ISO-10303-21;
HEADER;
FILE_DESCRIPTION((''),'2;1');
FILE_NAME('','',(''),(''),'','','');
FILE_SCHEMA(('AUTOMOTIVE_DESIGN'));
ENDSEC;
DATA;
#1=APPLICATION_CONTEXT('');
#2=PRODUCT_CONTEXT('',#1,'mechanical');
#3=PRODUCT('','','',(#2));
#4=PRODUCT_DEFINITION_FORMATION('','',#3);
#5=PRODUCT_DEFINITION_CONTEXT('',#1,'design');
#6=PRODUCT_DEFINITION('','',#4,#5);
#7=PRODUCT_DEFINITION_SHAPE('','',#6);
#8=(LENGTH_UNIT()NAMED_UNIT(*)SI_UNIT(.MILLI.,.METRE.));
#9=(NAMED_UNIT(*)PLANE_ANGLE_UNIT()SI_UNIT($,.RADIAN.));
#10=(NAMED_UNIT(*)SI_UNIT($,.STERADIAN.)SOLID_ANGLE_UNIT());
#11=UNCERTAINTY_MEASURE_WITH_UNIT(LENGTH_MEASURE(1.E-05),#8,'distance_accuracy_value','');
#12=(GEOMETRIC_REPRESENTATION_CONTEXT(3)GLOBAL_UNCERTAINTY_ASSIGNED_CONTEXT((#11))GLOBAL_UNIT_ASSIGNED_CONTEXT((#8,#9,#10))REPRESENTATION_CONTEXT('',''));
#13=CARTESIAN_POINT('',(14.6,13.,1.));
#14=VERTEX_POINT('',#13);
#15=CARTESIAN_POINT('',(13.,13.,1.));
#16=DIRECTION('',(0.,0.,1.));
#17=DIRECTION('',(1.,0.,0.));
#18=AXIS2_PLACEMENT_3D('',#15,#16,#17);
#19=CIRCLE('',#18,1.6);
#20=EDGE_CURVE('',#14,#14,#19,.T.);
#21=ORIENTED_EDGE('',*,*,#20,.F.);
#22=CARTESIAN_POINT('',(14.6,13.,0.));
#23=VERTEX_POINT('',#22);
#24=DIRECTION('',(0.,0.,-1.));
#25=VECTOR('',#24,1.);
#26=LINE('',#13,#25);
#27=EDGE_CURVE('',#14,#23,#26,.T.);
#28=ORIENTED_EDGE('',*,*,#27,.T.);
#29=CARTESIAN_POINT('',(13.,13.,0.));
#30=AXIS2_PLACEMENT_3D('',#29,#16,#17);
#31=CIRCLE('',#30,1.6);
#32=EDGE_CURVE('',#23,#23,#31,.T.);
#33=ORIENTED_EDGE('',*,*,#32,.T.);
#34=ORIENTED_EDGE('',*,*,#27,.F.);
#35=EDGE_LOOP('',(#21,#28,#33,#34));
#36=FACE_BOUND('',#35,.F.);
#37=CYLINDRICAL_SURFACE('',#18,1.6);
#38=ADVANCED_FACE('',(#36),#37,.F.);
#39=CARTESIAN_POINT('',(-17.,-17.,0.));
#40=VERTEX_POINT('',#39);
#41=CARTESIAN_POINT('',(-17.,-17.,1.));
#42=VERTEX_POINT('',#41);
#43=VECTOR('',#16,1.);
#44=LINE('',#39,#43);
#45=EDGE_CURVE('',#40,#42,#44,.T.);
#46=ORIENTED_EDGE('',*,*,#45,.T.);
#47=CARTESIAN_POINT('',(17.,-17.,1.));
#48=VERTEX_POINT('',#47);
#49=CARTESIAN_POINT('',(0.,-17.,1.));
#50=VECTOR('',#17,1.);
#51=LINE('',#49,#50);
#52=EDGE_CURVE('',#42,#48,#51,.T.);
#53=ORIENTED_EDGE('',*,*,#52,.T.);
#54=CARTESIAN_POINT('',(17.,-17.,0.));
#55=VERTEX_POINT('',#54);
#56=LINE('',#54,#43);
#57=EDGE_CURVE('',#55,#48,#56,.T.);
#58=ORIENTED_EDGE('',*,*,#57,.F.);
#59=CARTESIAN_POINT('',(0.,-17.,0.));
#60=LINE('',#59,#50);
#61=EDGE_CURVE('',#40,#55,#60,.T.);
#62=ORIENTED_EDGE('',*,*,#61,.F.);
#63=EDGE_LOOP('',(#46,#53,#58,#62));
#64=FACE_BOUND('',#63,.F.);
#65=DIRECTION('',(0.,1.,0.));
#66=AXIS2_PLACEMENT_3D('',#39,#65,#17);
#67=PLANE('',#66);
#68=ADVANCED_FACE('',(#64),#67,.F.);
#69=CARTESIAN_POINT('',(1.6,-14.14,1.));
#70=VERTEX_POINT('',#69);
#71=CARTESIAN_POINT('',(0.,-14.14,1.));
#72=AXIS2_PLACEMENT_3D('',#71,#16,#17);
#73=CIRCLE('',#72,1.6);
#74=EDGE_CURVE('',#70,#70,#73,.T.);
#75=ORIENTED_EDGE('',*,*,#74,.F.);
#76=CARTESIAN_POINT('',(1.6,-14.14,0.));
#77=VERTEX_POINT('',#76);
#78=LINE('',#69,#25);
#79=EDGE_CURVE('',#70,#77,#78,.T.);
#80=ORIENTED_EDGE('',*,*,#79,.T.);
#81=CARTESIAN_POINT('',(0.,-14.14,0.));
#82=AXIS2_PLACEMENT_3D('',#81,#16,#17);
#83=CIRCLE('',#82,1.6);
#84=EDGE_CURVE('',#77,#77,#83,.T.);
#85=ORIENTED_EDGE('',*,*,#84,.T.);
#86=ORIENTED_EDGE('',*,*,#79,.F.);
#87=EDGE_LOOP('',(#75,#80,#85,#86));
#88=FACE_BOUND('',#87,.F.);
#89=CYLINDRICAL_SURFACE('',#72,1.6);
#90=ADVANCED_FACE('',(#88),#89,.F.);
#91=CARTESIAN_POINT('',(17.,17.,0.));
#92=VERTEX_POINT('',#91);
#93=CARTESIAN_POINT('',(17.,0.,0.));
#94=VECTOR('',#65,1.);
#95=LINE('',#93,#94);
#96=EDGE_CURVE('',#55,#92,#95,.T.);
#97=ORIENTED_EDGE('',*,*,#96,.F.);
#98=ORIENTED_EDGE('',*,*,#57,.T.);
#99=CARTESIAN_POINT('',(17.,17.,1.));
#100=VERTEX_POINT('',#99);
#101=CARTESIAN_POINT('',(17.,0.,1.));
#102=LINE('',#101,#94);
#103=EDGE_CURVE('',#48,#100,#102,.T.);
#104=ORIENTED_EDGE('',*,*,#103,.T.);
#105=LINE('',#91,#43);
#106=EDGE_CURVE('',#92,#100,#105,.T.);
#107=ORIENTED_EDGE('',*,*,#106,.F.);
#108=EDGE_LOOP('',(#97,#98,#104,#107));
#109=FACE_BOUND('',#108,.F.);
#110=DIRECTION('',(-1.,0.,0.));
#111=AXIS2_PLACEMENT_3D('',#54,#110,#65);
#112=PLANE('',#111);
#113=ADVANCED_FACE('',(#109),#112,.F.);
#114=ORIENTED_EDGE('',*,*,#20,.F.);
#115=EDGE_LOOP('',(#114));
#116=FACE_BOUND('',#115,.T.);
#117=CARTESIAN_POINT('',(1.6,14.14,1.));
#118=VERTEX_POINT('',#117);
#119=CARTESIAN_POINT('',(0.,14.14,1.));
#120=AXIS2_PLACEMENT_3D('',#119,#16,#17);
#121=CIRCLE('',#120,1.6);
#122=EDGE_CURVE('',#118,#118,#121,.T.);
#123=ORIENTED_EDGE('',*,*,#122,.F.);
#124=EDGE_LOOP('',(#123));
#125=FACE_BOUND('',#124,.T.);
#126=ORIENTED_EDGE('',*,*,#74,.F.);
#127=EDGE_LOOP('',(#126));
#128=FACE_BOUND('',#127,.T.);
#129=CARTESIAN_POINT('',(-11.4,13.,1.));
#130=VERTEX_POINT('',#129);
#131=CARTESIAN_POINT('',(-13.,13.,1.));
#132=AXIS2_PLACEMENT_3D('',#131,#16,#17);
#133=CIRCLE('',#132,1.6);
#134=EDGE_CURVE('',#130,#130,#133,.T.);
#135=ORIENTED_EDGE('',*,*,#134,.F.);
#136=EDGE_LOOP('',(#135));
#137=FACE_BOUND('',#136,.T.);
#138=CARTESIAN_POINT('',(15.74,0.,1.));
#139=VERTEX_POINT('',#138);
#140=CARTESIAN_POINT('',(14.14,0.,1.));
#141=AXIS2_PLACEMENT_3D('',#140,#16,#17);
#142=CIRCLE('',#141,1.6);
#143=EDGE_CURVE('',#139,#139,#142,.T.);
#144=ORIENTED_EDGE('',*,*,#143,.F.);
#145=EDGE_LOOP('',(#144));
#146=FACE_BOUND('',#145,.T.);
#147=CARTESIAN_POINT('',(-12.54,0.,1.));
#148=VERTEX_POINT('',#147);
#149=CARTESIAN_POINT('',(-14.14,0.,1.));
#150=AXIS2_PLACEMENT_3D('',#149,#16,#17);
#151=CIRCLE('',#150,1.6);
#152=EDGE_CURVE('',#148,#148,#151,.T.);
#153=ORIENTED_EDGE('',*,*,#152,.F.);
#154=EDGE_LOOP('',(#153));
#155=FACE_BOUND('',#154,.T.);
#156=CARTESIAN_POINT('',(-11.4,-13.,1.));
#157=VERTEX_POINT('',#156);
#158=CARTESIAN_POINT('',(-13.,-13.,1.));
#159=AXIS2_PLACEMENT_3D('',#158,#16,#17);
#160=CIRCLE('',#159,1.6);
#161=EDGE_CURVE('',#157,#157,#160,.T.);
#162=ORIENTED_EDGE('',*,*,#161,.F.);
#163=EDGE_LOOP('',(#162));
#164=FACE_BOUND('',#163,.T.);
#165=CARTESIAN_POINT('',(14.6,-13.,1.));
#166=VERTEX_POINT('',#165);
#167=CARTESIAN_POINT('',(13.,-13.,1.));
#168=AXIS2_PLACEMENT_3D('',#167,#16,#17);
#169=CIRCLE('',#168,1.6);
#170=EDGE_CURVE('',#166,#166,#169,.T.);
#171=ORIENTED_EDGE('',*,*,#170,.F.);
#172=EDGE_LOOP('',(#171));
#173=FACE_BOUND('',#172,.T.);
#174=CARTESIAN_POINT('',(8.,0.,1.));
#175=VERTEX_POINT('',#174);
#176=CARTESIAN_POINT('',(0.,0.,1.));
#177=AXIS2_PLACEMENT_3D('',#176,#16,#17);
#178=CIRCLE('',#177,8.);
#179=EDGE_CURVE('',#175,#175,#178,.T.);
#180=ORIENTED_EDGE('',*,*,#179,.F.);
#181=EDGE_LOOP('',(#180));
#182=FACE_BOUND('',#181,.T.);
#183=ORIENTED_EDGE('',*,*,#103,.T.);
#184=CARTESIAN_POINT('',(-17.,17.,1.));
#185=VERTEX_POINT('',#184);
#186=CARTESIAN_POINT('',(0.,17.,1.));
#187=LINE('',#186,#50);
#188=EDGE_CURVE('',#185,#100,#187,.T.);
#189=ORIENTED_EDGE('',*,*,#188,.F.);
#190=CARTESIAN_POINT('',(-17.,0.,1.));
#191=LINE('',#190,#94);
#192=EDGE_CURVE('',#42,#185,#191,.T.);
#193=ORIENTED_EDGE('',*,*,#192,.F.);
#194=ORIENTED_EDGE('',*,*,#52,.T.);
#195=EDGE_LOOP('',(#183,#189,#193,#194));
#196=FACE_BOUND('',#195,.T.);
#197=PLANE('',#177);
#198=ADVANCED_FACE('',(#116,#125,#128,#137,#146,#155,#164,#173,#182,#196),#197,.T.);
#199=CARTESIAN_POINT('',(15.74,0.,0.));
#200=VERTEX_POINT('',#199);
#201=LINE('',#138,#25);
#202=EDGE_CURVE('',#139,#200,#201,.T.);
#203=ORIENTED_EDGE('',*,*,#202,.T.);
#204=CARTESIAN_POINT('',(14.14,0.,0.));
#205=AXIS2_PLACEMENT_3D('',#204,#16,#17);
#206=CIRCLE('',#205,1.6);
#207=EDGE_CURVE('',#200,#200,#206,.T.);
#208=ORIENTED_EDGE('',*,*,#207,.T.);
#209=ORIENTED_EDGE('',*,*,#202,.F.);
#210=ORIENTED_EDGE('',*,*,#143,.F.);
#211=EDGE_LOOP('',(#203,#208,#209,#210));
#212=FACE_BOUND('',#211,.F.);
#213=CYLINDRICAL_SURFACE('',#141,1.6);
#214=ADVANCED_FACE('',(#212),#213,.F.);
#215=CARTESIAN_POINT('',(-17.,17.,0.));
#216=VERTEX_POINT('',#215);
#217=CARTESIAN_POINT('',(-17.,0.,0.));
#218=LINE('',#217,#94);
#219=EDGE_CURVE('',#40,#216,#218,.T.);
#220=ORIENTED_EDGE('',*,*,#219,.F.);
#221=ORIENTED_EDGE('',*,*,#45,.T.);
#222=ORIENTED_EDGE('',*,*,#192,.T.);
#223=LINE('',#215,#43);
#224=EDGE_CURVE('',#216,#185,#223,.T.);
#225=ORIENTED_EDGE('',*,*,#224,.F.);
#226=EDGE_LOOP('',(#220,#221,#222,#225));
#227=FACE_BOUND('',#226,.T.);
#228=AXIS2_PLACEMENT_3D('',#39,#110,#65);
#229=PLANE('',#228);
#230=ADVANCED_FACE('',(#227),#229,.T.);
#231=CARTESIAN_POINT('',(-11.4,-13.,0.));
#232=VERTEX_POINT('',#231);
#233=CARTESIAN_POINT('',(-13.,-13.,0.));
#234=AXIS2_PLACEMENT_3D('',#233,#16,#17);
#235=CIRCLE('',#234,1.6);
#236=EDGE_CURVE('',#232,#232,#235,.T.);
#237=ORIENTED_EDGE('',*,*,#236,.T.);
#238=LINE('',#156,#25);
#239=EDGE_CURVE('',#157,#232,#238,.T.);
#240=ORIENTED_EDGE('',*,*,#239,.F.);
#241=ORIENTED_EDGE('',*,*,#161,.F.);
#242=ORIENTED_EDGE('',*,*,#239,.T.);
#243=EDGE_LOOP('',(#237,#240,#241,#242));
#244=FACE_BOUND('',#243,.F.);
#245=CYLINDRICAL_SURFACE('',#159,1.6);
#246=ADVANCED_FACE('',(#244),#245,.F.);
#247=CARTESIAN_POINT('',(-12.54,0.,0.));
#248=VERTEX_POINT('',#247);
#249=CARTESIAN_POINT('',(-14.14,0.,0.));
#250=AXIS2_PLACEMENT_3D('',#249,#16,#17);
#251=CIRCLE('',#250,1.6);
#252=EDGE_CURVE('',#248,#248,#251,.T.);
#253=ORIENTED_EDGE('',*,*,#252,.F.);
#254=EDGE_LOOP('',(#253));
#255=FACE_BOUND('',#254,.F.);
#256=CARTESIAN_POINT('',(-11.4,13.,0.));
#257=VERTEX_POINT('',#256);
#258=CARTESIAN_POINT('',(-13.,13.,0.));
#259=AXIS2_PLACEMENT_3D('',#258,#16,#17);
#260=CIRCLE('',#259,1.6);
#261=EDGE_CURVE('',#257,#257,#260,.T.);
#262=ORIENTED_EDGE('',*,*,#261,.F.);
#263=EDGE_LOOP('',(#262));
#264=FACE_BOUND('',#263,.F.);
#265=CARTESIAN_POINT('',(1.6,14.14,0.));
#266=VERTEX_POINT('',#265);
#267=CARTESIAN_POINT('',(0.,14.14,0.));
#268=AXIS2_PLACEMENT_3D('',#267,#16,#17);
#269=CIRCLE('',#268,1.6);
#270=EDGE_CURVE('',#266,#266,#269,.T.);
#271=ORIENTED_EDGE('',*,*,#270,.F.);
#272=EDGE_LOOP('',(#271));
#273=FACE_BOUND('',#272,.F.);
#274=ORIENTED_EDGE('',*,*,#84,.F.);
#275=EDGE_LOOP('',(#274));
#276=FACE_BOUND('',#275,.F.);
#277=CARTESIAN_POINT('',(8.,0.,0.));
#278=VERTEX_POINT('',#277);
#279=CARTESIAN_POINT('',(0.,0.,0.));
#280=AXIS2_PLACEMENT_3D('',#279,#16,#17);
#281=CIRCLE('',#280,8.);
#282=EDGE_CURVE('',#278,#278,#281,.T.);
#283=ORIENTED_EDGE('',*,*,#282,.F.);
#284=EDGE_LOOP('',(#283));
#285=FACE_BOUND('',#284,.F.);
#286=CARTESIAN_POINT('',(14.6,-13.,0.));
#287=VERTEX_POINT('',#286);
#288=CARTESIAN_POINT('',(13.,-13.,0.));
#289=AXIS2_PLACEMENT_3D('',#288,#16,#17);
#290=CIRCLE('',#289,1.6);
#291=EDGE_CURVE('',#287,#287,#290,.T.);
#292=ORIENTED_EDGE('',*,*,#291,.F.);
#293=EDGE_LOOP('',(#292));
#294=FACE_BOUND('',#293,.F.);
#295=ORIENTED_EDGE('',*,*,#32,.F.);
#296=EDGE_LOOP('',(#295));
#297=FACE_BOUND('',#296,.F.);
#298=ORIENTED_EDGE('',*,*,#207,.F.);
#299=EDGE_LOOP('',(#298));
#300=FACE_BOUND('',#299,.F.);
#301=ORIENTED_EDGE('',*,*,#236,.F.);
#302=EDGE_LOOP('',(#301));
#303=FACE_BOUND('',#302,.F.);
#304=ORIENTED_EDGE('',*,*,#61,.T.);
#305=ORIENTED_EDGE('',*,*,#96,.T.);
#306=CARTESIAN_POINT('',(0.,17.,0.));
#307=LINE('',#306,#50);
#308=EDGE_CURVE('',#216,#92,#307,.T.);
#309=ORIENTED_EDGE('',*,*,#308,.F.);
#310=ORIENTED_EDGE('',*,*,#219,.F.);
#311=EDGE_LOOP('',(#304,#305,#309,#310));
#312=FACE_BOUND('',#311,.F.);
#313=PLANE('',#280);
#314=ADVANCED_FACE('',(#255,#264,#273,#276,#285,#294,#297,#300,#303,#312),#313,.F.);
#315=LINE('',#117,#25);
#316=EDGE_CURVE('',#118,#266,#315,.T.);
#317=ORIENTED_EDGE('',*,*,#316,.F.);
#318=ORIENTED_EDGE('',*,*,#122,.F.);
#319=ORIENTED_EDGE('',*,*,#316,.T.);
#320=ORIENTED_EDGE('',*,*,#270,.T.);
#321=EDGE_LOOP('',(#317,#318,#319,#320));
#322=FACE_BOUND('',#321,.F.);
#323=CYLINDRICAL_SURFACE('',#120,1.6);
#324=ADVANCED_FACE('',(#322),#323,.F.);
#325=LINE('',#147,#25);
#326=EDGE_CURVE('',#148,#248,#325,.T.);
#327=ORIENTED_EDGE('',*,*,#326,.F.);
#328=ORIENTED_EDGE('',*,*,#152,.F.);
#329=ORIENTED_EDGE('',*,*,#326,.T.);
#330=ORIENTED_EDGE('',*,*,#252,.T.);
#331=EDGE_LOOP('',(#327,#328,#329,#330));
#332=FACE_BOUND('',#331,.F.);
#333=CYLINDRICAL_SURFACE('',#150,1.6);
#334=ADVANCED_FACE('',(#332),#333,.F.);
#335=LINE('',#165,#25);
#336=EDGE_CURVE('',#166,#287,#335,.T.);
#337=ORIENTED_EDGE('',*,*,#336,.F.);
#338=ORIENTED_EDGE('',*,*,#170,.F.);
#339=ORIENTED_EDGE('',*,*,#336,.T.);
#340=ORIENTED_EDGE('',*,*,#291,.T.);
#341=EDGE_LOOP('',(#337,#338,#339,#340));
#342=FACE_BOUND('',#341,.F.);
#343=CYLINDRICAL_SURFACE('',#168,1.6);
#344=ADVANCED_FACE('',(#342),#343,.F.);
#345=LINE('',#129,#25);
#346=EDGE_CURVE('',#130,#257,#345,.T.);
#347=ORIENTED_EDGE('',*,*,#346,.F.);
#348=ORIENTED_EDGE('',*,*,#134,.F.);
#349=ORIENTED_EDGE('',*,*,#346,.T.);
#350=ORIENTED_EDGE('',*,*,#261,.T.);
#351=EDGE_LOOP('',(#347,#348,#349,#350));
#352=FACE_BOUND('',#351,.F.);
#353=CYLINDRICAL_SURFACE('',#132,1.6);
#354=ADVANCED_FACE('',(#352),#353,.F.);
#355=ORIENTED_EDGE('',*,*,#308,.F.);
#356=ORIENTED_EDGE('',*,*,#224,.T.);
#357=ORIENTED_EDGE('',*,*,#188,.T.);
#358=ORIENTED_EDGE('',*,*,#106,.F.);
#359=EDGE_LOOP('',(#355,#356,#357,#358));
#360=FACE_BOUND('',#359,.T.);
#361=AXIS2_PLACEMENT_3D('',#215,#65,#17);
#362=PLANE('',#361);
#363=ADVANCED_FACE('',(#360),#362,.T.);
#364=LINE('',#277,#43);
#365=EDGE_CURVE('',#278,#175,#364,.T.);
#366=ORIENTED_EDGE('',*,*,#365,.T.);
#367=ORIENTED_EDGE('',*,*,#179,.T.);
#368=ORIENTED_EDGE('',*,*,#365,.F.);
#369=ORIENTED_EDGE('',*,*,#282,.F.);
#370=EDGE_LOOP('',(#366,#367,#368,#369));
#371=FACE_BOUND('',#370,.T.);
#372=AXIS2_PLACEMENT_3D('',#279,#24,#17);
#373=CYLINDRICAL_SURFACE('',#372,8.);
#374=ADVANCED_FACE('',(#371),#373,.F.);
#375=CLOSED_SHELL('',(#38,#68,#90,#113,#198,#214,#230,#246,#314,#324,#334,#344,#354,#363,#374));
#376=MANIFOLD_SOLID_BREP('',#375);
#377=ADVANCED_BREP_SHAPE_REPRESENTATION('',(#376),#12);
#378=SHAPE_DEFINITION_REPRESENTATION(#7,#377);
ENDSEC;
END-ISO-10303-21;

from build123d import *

# Parameters (mm, degrees)
SKETCH_W        = 34
SKETCH_H        = 34
SKETCH_R        = 8
PAD_DEPTH       = 1
SKETCH001_R     = 1.6
POCKET_DEPTH    = 5
SKETCH002_R     = 1.6
POCKET001_DEPTH = 5


with BuildPart() as part:
    # Sketch → Pad (new body)
    with BuildSketch(Plane.XY):
        Rectangle(SKETCH_W, SKETCH_H)
        Circle(SKETCH_R, mode=Mode.SUBTRACT)
    extrude(amount=PAD_DEPTH)

    # Sketch001 (on Face7 of Pad) → Pocket (cut)
    with BuildSketch(Plane.XY.offset(1)):
        with Locations((0, 14.14)):
            Circle(SKETCH001_R)
        with Locations((14.14, 0)):
            Circle(SKETCH001_R)
        with Locations((-14.14, 0)):
            Circle(SKETCH001_R)
        with Locations((0, -14.14)):
            Circle(SKETCH001_R)
    extrude(amount=-POCKET_DEPTH, mode=Mode.SUBTRACT)

    # Sketch002 (on Face5 of Pocket) → Pocket001 (cut)
    with BuildSketch(Plane.XY.offset(1)):
        with Locations((-13, 13)):
            Circle(SKETCH002_R)
        with Locations((13, 13)):
            Circle(SKETCH002_R)
        with Locations((-13, -13)):
            Circle(SKETCH002_R)
        with Locations((13, -13)):
            Circle(SKETCH002_R)
    extrude(amount=-POCKET001_DEPTH, mode=Mode.SUBTRACT)


solid = part.part
